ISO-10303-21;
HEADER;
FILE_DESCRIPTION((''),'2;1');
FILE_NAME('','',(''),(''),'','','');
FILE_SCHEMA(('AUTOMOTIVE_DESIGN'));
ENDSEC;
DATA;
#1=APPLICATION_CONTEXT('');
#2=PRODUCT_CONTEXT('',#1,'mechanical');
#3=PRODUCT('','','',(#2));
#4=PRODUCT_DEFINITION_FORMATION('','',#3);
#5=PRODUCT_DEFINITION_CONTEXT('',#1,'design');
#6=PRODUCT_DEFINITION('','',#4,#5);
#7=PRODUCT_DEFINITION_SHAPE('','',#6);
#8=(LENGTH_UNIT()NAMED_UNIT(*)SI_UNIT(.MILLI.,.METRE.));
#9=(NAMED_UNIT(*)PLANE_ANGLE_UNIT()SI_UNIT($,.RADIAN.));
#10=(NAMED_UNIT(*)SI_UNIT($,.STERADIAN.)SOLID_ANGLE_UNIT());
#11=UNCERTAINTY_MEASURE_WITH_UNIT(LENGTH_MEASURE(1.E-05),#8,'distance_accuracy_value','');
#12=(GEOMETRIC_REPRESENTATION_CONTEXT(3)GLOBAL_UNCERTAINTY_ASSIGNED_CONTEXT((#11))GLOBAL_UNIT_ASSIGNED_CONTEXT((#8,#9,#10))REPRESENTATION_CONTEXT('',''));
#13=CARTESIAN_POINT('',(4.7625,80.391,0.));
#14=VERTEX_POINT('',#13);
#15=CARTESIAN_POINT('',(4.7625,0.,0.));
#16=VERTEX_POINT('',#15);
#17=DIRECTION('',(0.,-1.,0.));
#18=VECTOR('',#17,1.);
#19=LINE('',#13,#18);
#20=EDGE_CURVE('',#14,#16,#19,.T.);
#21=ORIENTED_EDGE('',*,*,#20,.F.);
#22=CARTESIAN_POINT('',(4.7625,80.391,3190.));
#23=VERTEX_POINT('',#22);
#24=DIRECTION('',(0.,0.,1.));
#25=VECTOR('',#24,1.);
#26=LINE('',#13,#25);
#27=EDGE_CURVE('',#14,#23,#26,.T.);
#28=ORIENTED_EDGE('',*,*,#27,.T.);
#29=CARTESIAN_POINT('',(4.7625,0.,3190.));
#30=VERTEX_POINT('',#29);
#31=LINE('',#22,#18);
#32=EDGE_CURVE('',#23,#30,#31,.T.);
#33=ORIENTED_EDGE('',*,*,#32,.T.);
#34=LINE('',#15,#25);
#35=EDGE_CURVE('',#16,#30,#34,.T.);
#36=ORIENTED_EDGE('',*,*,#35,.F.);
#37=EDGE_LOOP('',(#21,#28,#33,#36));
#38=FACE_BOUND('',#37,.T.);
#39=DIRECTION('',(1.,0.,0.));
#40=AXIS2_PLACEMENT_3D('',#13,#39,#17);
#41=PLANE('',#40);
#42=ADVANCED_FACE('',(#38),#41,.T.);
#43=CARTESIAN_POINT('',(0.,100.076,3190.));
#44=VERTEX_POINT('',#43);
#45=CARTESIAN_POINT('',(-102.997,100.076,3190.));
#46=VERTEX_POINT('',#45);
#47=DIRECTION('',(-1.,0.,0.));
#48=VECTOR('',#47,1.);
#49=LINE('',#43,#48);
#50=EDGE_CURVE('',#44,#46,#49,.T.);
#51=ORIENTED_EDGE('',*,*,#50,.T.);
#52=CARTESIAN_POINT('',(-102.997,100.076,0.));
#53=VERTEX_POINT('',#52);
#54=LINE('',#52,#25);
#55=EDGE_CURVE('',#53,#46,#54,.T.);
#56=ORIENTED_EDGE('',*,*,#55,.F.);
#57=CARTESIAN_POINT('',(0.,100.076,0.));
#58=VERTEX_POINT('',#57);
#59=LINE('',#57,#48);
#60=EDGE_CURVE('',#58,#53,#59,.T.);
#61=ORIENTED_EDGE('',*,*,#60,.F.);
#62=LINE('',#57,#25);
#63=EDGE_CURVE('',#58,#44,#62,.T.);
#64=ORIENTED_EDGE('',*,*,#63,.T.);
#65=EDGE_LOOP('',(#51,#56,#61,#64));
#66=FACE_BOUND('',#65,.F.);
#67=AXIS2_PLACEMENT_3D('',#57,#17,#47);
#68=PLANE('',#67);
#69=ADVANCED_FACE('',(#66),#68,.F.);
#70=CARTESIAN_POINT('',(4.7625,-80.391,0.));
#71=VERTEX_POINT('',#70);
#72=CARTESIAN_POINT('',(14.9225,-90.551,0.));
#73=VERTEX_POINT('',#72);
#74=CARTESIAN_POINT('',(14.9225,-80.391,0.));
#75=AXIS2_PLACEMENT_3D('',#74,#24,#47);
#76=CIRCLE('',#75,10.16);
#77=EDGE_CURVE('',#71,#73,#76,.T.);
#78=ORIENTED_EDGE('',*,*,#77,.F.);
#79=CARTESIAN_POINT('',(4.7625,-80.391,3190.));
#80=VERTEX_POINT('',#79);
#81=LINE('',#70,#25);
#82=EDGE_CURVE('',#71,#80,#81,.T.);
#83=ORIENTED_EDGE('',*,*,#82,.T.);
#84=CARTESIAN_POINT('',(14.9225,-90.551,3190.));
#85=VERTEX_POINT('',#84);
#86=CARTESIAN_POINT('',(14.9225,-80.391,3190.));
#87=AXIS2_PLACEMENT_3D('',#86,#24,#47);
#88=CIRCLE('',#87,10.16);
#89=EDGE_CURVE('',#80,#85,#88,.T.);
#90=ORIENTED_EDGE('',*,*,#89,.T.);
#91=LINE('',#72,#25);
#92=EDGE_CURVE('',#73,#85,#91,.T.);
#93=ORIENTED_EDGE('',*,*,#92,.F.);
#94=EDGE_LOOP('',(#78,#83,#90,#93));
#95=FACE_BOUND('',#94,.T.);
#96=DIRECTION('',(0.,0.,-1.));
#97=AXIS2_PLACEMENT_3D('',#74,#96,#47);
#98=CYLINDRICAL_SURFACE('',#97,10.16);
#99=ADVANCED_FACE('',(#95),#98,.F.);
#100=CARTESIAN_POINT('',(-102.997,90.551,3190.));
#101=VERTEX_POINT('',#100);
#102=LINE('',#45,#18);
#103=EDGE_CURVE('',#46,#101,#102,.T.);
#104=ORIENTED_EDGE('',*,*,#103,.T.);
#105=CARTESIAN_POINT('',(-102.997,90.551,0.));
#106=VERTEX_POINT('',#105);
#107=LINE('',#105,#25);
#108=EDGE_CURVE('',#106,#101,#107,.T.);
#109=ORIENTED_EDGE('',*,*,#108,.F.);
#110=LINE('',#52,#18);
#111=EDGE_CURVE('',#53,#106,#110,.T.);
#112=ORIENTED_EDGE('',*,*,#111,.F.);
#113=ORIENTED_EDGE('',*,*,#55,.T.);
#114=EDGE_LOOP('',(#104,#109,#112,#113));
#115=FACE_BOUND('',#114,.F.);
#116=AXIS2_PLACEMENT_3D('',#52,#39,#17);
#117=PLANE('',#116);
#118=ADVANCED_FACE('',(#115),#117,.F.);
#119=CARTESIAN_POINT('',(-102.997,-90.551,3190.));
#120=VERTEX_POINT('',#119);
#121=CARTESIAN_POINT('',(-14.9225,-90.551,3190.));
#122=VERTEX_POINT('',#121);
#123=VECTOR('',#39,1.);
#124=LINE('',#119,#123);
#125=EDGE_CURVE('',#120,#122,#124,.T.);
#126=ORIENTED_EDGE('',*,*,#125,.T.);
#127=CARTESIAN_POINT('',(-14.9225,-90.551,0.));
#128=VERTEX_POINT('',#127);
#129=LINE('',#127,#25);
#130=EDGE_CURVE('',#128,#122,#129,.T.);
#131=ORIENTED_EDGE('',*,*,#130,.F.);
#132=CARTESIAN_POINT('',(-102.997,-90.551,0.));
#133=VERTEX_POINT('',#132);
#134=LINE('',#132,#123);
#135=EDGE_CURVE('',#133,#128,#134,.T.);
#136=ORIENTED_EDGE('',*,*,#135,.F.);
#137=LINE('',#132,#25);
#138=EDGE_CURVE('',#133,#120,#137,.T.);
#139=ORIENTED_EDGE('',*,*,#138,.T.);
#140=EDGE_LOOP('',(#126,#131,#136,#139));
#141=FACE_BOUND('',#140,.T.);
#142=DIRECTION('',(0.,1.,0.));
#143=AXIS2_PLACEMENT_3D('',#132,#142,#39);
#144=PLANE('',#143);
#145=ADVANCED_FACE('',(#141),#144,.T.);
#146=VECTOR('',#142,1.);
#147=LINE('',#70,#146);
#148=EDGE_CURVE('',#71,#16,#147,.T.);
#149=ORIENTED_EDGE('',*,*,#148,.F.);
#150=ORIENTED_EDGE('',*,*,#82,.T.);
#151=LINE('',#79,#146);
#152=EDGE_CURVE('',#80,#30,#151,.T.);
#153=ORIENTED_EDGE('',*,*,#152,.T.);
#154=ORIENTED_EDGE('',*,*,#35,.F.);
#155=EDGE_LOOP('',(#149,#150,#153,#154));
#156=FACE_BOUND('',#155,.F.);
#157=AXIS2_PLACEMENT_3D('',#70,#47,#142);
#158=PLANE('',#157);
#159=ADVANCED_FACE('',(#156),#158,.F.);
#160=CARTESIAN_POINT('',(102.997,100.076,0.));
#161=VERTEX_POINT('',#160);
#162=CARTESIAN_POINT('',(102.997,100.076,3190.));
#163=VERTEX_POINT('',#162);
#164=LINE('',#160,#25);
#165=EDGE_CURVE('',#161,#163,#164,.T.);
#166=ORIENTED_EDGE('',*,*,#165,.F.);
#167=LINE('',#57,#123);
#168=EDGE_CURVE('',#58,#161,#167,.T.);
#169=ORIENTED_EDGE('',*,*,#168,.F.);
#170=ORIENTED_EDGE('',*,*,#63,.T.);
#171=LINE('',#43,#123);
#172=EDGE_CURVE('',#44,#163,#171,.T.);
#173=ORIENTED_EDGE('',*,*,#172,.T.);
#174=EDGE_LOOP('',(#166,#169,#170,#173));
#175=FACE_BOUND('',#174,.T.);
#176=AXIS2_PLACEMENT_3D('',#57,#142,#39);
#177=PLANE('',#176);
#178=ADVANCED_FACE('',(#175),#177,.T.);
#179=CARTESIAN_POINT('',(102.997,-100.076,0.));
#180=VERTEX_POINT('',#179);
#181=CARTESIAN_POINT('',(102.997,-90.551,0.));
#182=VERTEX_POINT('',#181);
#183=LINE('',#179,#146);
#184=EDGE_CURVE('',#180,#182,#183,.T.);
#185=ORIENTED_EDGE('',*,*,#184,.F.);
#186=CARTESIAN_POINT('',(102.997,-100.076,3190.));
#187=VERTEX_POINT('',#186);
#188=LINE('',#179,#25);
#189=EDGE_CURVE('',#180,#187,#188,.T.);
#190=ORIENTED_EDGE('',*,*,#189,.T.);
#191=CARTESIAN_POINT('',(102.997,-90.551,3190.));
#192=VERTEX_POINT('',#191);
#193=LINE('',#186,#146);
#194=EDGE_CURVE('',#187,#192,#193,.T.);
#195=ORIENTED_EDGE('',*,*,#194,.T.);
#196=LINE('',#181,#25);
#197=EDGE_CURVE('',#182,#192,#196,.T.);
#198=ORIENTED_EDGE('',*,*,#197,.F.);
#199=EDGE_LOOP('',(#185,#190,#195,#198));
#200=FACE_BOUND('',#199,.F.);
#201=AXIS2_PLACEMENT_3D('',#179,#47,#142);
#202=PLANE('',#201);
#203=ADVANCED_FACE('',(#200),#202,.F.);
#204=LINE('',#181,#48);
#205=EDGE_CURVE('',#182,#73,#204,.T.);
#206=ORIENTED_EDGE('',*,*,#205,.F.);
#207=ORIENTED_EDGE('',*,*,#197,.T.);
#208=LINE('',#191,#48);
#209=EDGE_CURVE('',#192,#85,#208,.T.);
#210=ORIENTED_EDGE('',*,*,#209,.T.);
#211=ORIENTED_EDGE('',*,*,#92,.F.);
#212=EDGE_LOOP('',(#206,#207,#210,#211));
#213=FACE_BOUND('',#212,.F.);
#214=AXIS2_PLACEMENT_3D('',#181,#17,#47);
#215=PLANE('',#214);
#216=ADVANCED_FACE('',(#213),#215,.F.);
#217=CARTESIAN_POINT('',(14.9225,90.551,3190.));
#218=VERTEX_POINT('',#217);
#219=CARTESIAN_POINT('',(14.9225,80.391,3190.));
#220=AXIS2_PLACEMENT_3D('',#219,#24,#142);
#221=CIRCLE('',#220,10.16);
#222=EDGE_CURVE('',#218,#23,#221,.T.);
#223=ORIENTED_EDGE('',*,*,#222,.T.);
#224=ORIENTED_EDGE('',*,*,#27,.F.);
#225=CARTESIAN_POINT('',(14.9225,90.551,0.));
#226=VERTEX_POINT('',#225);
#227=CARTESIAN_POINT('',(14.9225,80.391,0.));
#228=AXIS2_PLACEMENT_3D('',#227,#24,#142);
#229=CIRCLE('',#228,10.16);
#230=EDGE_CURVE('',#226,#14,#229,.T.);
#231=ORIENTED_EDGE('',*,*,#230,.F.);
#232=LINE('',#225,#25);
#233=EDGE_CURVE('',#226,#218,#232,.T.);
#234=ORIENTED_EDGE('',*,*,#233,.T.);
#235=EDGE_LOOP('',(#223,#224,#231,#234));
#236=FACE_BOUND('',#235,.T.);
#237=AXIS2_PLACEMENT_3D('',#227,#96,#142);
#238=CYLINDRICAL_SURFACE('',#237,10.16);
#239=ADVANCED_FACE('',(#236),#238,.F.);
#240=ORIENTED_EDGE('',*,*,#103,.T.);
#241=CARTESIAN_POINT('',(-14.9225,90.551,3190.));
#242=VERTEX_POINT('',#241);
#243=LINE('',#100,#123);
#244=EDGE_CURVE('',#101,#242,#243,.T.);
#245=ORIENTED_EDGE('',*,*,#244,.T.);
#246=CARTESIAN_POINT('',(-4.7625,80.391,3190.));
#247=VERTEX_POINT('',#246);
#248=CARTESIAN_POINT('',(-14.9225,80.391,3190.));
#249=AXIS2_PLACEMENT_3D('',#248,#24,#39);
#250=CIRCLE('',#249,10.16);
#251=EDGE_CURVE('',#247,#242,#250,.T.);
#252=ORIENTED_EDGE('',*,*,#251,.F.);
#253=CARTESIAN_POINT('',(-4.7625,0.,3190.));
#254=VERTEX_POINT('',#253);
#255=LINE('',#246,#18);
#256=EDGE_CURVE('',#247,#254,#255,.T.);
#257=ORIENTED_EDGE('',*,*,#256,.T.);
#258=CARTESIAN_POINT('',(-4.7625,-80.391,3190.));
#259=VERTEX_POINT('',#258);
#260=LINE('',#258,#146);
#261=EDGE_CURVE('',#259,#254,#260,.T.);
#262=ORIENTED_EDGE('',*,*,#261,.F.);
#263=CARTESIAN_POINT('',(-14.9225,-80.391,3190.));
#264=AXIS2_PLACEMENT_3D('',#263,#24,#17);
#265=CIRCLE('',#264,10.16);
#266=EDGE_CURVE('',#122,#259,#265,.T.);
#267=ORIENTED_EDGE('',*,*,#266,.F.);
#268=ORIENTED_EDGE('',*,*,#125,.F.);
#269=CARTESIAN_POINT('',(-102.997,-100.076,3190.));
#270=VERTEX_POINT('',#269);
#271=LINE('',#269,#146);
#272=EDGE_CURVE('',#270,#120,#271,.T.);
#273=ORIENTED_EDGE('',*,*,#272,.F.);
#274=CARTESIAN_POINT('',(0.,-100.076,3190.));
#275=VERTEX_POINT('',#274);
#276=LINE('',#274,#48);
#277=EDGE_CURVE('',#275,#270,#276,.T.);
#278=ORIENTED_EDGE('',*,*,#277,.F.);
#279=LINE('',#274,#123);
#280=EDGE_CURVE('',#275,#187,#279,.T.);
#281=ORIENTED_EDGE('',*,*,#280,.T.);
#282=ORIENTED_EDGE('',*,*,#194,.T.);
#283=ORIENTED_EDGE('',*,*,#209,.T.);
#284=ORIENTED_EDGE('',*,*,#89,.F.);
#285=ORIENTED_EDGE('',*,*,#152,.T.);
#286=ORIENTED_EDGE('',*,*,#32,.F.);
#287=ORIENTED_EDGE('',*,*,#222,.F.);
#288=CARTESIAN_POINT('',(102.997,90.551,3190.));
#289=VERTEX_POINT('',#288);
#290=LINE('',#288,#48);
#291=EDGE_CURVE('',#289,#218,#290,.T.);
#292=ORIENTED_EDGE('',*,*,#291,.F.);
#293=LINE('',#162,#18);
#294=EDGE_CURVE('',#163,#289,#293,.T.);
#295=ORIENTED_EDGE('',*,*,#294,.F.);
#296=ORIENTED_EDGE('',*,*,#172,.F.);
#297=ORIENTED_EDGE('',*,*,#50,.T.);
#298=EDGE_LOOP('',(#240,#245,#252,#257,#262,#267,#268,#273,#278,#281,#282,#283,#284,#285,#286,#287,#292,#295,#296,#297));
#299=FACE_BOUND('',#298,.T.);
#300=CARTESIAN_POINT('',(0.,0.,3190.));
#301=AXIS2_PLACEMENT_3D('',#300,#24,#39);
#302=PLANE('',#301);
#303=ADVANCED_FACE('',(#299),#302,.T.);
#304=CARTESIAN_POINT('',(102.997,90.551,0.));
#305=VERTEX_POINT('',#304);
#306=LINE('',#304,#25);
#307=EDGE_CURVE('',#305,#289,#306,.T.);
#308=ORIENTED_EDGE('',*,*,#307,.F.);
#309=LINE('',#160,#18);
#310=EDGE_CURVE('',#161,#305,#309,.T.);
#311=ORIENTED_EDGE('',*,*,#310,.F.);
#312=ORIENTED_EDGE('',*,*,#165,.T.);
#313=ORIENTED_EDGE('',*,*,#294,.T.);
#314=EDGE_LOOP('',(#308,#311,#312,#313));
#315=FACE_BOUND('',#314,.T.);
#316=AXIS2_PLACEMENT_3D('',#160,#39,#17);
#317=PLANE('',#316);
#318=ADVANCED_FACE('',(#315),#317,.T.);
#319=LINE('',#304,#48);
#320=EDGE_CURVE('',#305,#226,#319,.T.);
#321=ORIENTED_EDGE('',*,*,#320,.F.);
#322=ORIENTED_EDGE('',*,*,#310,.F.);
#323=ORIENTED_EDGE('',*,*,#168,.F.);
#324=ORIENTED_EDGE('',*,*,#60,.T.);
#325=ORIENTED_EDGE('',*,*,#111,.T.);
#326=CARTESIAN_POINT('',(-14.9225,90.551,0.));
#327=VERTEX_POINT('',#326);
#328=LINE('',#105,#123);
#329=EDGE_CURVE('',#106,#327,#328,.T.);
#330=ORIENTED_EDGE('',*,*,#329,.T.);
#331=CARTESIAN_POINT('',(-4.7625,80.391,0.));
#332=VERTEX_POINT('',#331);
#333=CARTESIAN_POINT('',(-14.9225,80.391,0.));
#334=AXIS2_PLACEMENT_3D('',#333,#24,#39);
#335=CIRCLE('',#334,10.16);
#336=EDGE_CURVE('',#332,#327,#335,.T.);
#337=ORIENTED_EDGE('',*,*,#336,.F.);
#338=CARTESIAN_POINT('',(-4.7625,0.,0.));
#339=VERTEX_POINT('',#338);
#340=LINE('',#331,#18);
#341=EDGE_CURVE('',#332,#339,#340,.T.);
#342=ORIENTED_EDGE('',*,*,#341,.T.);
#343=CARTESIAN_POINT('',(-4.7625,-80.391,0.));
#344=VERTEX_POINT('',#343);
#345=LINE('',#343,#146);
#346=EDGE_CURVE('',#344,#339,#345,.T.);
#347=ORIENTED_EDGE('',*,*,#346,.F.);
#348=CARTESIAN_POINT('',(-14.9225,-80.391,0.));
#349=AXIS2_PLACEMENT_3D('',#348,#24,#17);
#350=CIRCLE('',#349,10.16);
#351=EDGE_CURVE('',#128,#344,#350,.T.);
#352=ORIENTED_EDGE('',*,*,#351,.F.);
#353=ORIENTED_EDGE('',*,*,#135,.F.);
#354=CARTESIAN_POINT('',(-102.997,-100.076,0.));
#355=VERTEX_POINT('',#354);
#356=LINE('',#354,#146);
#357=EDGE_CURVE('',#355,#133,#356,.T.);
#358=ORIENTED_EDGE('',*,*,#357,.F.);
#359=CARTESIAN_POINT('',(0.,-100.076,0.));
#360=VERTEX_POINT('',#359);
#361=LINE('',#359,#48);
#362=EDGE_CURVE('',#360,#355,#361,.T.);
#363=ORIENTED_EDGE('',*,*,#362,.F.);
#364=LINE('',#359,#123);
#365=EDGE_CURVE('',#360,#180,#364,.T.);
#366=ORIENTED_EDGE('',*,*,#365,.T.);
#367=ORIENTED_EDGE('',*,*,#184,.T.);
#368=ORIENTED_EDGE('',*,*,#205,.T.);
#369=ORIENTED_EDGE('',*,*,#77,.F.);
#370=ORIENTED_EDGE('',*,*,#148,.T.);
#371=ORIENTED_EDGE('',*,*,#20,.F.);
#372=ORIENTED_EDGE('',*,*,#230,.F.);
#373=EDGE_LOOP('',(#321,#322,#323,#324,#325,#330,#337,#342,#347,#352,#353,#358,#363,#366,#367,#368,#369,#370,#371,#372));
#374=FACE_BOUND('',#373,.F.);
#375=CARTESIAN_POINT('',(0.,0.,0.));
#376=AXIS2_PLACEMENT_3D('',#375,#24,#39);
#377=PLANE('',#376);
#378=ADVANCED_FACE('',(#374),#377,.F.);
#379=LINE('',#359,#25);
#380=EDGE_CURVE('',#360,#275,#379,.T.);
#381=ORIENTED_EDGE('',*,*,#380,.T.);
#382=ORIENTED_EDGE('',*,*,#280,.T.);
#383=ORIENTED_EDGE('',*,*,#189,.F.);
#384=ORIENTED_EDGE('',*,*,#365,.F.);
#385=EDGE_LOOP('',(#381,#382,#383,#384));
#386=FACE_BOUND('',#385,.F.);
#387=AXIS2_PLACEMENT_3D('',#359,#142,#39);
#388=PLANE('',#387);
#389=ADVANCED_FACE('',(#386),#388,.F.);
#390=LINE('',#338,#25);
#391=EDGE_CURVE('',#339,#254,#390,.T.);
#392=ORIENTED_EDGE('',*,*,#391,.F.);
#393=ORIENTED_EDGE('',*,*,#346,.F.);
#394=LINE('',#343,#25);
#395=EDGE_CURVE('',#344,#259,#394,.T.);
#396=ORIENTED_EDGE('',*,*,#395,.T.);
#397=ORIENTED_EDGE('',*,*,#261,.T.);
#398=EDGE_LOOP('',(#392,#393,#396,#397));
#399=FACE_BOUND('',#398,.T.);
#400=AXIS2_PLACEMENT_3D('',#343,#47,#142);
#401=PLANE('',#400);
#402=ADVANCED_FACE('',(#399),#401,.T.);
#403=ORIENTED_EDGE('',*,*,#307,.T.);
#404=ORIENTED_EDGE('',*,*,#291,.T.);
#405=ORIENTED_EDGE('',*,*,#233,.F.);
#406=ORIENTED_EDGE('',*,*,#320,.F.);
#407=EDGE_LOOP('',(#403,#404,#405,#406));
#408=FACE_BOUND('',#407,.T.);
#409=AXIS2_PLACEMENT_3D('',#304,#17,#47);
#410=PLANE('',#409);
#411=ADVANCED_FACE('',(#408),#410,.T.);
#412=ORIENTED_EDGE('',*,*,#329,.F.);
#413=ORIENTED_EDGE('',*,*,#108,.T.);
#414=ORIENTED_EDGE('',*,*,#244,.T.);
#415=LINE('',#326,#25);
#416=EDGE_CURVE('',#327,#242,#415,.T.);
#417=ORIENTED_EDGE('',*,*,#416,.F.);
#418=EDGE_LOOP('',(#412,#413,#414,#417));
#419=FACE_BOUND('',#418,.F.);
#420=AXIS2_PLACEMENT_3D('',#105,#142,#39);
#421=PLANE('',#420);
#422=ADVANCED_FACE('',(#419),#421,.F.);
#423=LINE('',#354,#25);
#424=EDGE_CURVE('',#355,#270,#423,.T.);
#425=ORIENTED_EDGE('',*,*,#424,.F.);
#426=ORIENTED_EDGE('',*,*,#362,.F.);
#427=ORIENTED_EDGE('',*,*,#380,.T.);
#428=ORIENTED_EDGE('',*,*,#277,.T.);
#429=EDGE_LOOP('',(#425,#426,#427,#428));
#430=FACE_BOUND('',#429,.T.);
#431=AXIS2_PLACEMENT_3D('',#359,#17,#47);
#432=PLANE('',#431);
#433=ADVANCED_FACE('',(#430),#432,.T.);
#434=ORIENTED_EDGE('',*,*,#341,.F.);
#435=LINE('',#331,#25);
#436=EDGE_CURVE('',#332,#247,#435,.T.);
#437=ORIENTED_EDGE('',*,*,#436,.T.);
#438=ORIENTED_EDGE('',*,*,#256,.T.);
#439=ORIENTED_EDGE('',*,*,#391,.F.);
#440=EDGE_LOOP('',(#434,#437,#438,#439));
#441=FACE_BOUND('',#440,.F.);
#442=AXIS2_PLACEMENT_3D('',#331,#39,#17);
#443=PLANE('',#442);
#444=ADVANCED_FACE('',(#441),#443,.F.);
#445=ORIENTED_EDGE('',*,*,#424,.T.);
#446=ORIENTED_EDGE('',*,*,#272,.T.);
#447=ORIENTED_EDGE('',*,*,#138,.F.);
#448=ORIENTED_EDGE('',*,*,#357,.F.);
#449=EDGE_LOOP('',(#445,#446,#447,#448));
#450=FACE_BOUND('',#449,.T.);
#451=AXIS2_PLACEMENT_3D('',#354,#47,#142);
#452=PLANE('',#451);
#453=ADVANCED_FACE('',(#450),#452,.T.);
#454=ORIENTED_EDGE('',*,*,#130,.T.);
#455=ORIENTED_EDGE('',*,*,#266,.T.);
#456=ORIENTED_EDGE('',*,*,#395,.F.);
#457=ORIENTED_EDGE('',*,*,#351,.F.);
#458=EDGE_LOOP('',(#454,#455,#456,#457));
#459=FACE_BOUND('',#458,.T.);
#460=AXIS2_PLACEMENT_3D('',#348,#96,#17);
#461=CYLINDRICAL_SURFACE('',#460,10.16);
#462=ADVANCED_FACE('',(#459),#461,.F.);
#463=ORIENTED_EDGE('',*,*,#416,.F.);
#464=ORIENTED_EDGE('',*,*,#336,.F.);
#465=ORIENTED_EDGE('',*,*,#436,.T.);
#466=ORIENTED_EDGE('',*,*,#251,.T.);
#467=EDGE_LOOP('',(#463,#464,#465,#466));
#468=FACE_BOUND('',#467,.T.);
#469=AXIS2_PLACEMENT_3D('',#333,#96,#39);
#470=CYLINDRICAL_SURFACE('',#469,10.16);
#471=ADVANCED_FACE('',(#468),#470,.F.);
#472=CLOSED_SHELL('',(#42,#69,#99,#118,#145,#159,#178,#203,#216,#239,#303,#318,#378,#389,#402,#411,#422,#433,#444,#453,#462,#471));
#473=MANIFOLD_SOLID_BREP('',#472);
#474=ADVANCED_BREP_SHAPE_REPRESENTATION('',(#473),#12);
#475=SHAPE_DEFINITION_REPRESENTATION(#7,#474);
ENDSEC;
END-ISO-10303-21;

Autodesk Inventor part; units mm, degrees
ref_plane "YZ Plane" through (0, 0, 0) normal (1, 0, 0) x (0, 1, 0)
ref_plane "Start Plane" through (0, 0, 0) normal (0, 0, 1) x (1, 0, 0)
ref_plane "End Plane" through (0, 0, 3190) normal (0, 0, 1) x (1, 0, 0)
sketch "Sketch" plane through (0, 0, 0) normal (0, 0, 1) x (1, 0, 0)
  line L0 (-102.997, -100.076) -> (-102.997, -90.551)
  line L1 (-102.997, -90.551) -> (-14.9225, -90.551)
  line L2 (-4.7625, -80.391) -> (-4.7625, 0)
  line L3 (-4.7625, 0) -> (0, 0) construction
  line L4 (0, 0) -> (0, -100.076) construction
  line L5 (0, -100.076) -> (-102.997, -100.076)
  line L6 (-60, 0) -> (80, 0) construction
  line L7 (0, -60) -> (0, 80) construction
  line L8 (102.997, -100.076) -> (102.997, -90.551)
  line L9 (102.997, -90.551) -> (14.9225, -90.551)
  line L10 (4.7625, -80.391) -> (4.7625, 0)
  line L11 (4.7625, 0) -> (0, 0) construction
  line L12 (0, -100.076) -> (102.997, -100.076)
  line L13 (-102.997, 100.076) -> (-102.997, 90.551)
  line L14 (-102.997, 90.551) -> (-14.9225, 90.551)
  line L15 (-4.7625, 80.391) -> (-4.7625, 0)
  line L16 (0, 100.076) -> (-102.997, 100.076)
  line L17 (102.997, 100.076) -> (102.997, 90.551)
  line L18 (102.997, 90.551) -> (14.9225, 90.551)
  line L19 (0, 100.076) -> (102.997, 100.076)
  line L20 (4.7625, 80.391) -> (4.7625, 0)
  arc A0 (-4.7625, 80.391) -> (-14.9225, 90.551) centre (-14.9225, 80.391) ccw
  arc A1 (14.9225, 90.551) -> (4.7625, 80.391) centre (14.9225, 80.391) ccw
  arc A2 (4.7625, -80.391) -> (14.9225, -90.551) centre (14.9225, -80.391) ccw
  arc A3 (-14.9225, -90.551) -> (-4.7625, -80.391) centre (-14.9225, -80.391) ccw
  line L21 (0, 140.1064) -> (0, -140.1064) construction
  line L22 (-144.1958, 0) -> (144.1958, 0) construction
  point P0 (-4.7625, -90.551)
  point P1 (4.7625, -90.551)
  point P2 (-4.7625, 90.551)
  point P3 (4.7625, 90.551)
  dimension "d1" = 100.076
  dimension "d2" = 9.525
  dimension "d3" = 102.997
  dimension "d4" = 4.7625
  dimension "d13" = 10.16
extrude "Body" add sketch "Sketch" along normal up to surface (3190 mm away) from surface at 0
sketch "Sketch4" plane through (0, 0, 0) normal (0, 0, 1) x (1, 0, 0)
  line L0 (0, 0) -> (10, 0)
ref_plane "Work Plane3" through (0, 0, 0) normal (0, -1, 0) x (1, 0, 0)
sketch "Sketch5" plane through (0, 0, 0) normal (0, -1, 0) x (1, 0, 0)
  line L0 (-2, 0) -> (12, 0) projected
  line L1 (-2, 3190) -> (12, 3190) projected
  dimension "d15" = 3190
equation "\"d1\" = 0.5 * G_H"
equation "\"d2\" = G_T1"
equation "\"d3\" = 0.5 * G_W"
equation "\"d4\" = 0.5 * G_T"
equation "\"d13\" = G_IR"
equation "\"d5\" = G_L"
equation "\"G_W\" = 205.994"
equation "\"G_H\" = 200.152"
equation "\"G_T\" = 9.525"
equation "\"G_T1\" = 9.525"
equation "\"G_IR\" = 10.16"
equation "\"G_L\" = d15"
equation "\"G_OFFSET_START\" = 0"
equation "\"G_OFFSET_END\" = 0"
equation "\"d12\" = G_OFFSET_END + B_L"
equation "\"B_L\" = 3190"
properties part number "ASTM A6/A6M - UP8 x 30 (7.88x8.11) - 125.591" material "Steel, Mild"
